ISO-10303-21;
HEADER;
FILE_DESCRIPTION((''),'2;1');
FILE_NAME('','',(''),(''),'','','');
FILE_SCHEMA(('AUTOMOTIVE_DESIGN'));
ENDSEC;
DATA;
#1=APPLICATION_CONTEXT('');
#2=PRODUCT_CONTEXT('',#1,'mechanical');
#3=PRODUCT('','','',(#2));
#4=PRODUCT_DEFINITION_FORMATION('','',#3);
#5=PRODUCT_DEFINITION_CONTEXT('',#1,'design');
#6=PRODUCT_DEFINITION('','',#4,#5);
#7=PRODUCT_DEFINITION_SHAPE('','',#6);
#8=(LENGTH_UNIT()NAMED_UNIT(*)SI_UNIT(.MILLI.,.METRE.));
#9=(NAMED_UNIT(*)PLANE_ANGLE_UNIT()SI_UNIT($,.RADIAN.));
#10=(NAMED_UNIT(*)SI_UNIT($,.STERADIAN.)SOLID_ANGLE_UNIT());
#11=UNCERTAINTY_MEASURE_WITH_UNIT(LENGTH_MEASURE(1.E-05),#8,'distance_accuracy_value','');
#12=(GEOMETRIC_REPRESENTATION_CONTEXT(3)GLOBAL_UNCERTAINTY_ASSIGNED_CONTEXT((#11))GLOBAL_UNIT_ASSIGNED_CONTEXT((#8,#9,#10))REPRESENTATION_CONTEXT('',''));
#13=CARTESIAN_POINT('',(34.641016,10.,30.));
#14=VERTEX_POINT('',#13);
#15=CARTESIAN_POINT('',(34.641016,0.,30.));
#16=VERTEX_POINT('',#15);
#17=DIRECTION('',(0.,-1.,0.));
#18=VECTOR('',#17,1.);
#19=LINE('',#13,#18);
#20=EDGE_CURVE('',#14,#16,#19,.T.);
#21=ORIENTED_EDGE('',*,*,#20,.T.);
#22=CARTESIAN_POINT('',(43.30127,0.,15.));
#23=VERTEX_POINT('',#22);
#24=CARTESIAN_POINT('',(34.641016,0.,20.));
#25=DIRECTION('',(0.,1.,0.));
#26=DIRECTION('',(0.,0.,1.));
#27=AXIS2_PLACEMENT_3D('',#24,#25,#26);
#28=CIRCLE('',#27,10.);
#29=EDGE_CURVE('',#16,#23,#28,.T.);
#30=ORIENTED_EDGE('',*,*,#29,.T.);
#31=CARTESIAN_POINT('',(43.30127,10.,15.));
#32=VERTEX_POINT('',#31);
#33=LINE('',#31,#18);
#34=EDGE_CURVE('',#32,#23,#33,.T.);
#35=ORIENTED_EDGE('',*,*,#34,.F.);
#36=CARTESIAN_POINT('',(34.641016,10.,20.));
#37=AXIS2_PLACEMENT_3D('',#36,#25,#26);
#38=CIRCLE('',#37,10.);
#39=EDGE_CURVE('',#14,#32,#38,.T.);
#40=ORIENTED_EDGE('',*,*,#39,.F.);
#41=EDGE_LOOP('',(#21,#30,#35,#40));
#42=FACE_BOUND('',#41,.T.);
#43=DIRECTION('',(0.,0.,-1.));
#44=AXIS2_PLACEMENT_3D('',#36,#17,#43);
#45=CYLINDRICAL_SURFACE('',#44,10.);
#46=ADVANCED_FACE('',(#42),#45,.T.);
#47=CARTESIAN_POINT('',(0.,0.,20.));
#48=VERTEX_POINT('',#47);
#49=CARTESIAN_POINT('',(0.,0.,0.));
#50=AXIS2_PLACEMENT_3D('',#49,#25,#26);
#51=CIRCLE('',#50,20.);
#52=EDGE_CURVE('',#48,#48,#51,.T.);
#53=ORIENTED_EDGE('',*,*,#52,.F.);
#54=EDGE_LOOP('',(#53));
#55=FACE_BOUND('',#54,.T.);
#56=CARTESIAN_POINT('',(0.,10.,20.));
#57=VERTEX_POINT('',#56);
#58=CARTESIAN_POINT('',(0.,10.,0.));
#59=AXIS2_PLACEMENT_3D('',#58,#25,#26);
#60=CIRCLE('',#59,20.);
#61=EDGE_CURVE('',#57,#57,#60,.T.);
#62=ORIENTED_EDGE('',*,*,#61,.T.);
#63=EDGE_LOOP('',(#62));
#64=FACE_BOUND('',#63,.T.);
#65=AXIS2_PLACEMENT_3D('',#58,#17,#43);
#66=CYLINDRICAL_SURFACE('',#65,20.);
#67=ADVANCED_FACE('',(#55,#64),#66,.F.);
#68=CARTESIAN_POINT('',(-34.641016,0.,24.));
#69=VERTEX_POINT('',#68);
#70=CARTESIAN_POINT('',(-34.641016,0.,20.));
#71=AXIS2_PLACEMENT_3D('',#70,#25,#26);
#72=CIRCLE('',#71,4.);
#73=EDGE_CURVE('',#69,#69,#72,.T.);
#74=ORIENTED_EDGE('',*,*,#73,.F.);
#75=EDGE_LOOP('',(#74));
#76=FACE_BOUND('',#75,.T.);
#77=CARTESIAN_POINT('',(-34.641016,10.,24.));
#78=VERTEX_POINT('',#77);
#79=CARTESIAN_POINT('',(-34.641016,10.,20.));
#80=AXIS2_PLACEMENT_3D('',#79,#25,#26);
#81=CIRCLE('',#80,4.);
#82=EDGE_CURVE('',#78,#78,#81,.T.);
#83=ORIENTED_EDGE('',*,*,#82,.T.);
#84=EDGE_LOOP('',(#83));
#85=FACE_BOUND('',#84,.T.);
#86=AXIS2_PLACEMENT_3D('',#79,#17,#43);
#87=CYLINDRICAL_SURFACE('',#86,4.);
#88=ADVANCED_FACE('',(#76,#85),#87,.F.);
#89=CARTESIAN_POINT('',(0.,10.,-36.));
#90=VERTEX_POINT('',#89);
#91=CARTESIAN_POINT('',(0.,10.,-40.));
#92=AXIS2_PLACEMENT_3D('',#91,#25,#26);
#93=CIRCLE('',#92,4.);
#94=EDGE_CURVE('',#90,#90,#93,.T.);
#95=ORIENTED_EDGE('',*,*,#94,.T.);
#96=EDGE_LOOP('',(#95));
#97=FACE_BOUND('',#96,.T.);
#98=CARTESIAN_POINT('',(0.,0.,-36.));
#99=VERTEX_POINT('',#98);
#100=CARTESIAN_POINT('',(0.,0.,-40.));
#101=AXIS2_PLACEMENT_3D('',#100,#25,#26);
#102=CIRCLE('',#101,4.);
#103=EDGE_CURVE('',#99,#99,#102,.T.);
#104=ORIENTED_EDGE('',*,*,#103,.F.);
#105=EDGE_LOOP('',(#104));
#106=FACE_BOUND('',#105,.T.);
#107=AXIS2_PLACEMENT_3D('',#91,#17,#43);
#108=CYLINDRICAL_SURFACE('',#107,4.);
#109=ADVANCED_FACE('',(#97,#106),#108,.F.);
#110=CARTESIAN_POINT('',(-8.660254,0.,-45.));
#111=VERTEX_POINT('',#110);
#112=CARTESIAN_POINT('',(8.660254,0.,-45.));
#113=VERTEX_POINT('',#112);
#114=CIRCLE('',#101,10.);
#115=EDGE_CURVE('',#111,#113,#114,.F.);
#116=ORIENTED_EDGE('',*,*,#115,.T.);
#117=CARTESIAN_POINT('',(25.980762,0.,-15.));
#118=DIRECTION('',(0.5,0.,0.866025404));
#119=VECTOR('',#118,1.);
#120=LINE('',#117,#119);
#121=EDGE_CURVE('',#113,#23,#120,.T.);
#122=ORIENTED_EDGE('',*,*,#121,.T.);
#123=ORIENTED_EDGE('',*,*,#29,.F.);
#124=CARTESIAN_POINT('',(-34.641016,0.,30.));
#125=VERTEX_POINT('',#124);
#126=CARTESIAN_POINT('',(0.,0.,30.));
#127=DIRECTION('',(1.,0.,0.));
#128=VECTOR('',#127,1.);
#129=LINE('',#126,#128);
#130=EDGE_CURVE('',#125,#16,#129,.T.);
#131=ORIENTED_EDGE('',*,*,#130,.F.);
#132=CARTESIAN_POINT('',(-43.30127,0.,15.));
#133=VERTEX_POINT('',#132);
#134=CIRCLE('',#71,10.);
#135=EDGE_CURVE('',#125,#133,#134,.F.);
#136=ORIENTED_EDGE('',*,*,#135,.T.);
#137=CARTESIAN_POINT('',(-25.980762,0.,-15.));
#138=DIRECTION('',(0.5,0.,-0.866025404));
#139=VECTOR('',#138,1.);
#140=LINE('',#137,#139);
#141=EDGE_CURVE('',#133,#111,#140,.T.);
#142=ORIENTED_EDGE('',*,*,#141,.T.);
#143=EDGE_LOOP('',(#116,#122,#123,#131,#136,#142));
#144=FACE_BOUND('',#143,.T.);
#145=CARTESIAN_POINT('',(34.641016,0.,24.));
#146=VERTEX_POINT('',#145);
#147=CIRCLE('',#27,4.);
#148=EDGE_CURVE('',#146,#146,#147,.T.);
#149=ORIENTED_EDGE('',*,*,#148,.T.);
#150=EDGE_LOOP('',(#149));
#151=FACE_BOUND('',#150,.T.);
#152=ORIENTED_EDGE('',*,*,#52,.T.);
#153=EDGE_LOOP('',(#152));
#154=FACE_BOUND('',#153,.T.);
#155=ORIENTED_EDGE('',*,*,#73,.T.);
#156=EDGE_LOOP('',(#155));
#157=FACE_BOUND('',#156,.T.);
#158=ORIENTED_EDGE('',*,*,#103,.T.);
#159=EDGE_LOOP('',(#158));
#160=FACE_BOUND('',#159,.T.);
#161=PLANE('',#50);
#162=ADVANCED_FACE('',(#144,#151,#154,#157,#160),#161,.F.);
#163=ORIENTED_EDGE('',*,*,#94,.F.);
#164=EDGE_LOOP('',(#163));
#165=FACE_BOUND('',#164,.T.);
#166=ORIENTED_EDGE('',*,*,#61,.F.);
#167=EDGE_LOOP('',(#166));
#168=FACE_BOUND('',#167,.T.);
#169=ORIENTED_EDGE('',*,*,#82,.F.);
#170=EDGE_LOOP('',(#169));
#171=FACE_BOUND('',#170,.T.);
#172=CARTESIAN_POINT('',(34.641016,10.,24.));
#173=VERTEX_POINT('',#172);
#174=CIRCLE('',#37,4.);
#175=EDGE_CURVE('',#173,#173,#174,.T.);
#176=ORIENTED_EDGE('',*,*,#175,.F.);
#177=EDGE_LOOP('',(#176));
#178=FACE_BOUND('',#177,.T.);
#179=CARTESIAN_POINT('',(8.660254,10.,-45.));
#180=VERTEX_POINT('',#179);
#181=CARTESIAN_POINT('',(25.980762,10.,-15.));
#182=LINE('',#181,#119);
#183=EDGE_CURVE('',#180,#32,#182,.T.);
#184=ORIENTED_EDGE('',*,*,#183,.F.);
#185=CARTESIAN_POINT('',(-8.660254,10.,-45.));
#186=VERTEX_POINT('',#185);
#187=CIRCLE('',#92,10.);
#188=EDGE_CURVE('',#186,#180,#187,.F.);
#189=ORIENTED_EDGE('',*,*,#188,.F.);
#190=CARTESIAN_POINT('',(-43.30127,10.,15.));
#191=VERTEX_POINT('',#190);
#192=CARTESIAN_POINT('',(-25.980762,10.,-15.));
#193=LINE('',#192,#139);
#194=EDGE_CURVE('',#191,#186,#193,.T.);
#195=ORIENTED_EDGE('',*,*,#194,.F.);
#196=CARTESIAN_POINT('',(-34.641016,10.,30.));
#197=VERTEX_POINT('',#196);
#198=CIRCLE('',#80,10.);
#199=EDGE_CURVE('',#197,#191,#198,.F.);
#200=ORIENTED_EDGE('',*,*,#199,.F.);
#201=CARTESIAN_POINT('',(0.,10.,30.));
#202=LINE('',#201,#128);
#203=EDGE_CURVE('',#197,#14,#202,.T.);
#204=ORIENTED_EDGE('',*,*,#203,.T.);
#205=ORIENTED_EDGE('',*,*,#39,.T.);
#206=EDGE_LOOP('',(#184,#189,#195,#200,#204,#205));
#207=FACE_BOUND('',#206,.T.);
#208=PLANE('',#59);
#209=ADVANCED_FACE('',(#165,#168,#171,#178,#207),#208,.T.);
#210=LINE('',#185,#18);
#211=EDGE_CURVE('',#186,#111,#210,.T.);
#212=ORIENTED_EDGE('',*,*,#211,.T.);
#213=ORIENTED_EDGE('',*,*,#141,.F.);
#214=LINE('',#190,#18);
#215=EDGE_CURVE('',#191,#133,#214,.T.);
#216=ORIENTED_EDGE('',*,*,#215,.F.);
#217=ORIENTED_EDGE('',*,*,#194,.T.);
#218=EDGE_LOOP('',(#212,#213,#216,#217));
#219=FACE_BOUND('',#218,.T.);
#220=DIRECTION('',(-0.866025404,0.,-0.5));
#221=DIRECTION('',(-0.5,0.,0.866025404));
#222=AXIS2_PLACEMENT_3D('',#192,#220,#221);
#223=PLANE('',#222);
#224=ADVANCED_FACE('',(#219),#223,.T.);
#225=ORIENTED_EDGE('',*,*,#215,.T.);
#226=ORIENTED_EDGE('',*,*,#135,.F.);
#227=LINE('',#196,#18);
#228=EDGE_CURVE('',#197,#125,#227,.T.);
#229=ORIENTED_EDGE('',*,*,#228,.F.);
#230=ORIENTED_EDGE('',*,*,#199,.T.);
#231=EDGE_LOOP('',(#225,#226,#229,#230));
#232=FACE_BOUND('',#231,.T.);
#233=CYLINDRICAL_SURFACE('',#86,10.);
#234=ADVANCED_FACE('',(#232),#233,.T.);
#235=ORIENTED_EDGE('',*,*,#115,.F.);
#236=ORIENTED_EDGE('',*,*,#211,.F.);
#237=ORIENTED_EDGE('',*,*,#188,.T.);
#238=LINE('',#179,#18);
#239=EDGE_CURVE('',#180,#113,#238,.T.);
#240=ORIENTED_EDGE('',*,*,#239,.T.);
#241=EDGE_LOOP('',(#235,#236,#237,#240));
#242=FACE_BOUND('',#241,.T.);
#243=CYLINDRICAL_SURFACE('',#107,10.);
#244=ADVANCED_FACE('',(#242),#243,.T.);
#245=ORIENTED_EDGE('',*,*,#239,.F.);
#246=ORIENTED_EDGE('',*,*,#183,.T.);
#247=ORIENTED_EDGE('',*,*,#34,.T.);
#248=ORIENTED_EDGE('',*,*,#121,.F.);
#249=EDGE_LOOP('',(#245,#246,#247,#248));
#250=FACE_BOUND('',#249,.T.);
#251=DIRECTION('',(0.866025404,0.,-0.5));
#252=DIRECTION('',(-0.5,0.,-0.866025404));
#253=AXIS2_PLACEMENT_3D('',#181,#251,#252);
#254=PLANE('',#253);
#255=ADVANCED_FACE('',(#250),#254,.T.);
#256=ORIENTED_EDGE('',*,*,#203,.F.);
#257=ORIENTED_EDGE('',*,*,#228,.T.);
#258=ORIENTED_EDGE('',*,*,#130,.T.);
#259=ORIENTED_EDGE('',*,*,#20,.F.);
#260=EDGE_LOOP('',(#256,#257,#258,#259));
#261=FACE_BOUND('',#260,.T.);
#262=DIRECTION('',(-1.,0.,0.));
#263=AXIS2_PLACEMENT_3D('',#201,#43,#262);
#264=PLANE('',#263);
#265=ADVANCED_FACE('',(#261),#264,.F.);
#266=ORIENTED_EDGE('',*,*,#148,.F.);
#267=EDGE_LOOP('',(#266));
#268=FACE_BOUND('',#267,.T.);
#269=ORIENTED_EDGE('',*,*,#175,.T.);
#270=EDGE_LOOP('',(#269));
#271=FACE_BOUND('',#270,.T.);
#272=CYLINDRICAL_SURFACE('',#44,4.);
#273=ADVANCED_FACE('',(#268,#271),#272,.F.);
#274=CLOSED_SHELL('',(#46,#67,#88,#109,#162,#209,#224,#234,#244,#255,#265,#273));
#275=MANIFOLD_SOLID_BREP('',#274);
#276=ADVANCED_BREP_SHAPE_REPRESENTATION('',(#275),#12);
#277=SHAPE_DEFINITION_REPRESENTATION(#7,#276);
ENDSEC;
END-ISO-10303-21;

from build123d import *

# Parameters (mm, degrees)
RESSALTO_EXTRUS_O1_DEPTH = 10


with BuildPart() as part:
    # Esboço1 → Ressalto-extrusão1 (new body)
    with BuildSketch(Plane(origin=(0, 0, 0), x_dir=(1, 0, 0), z_dir=(0, 1, 0))):
        with BuildLine():
            ThreePointArc((-39.209518669, -7.912878475), (-38.076880663, -12.253618198), (-36.465309506, -16.440231222))
            ThreePointArc((-36.465309506, -16.440231222), (-33.509440947, -16.163395048), (-31.176914536, -18))
            Line((-31.176914536, -18), (-17.320508076, -10))
            ThreePointArc((-17.320508076, -10), (-17.320508076, 10), (0, 20))
            Line((0, 20), (0, 36))
            ThreePointArc((0, 36), (-2.75680975, 37.101724651), (-3.994996871, 39.8))
            ThreePointArc((-3.994996871, 39.8), (-8.426495684, 39.102355051), (-12.752005558, 37.912878475))
            Line((-12.752005558, 37.912878475), (-39.209518669, -7.912878475))
        make_face()
        with BuildLine():
            Line((-8.660254038, 45), (-12.752005558, 37.912878475))
            ThreePointArc((-12.752005558, 37.912878475), (-8.426495684, 39.102355051), (-3.994996871, 39.8))
            ThreePointArc((-3.994996871, 39.8), (-2.898275349, 42.75680975), (0, 44))
            Line((0, 44), (0, 50))
            ThreePointArc((0, 50), (-5, 48.660254038), (-8.660254038, 45))
        make_face()
        with BuildLine():
            ThreePointArc((8.660254038, 45), (5, 48.660254038), (0, 50))
            Line((0, 50), (0, 44))
            ThreePointArc((0, 44), (2.828427125, 42.828427125), (4, 40))
            ThreePointArc((4, 40), (3.998749022, 39.899968716), (3.994996871, 39.8))
            ThreePointArc((3.994996871, 39.8), (8.426495684, 39.102355051), (12.752005558, 37.912878475))
            Line((12.752005558, 37.912878475), (8.660254038, 45))
        make_face()
        with BuildLine():
            Line((0, 36), (0, 20))
            ThreePointArc((0, 20), (14.142135624, 14.142135624), (20, 0))
            ThreePointArc((20, 0), (19.318516526, -5.176380902), (17.320508076, -10))
            Line((17.320508076, -10), (31.176914536, -18))
            ThreePointArc((31.176914536, -18), (33.509440947, -16.163395048), (36.465309506, -16.440231222))
            ThreePointArc((36.465309506, -16.440231222), (38.076880663, -12.253618198), (39.209518669, -7.912878475))
            Line((39.209518669, -7.912878475), (12.752005558, 37.912878475))
            ThreePointArc((12.752005558, 37.912878475), (8.426495684, 39.102355051), (3.994996871, 39.8))
            ThreePointArc((3.994996871, 39.8), (2.75680975, 37.101724651), (0, 36))
        make_face()
        with BuildLine():
            ThreePointArc((-30.641016151, -20), (-31.127982273, -21.912744878), (-32.470312635, -23.359768778))
            ThreePointArc((-32.470312635, -23.359768778), (-29.65038498, -26.848736852), (-26.457513111, -30))
            Line((-26.457513111, -30), (26.457513111, -30))
            ThreePointArc((26.457513111, -30), (29.65038498, -26.848736852), (32.470312635, -23.359768778))
            ThreePointArc((32.470312635, -23.359768778), (30.752631197, -20.938329603), (31.176914536, -18))
            Line((31.176914536, -18), (17.320508076, -10))
            ThreePointArc((17.320508076, -10), (0, -20), (-17.320508076, -10))
            Line((-17.320508076, -10), (-31.176914536, -18))
            ThreePointArc((-31.176914536, -18), (-30.777312846, -18.96472382), (-30.641016151, -20))
        make_face()
        with BuildLine():
            ThreePointArc((-43.301270189, -15), (-44.641016151, -20), (-43.301270189, -25))
            Line((-43.301270189, -25), (-38.105117767, -22))
            ThreePointArc((-38.105117767, -22), (-38.477621103, -18.868424796), (-36.465309506, -16.440231222))
            ThreePointArc((-36.465309506, -16.440231222), (-38.076880663, -12.253618198), (-39.209518669, -7.912878475))
            Line((-39.209518669, -7.912878475), (-43.301270189, -15))
        make_face()
        with BuildLine():
            Line((-38.105117767, -22), (-43.301270189, -25))
            ThreePointArc((-43.301270189, -25), (-39.641016151, -28.660254038), (-34.641016151, -30))
            Line((-34.641016151, -30), (-26.457513111, -30))
            ThreePointArc((-26.457513111, -30), (-29.65038498, -26.848736852), (-32.470312635, -23.359768778))
            ThreePointArc((-32.470312635, -23.359768778), (-35.579345754, -23.888384955), (-38.105117767, -22))
        make_face()
        with BuildLine():
            Line((38.105117767, -22), (43.301270189, -25))
            ThreePointArc((43.301270189, -25), (44.641016151, -20), (43.301270189, -15))
            Line((43.301270189, -15), (39.209518669, -7.912878475))
            ThreePointArc((39.209518669, -7.912878475), (38.076880663, -12.253618198), (36.465309506, -16.440231222))
            ThreePointArc((36.465309506, -16.440231222), (38.054018746, -17.913995856), (38.641016151, -20))
            ThreePointArc((38.641016151, -20), (38.504719457, -21.03527618), (38.105117767, -22))
        make_face()
        with BuildLine():
            ThreePointArc((32.470312635, -23.359768778), (29.65038498, -26.848736852), (26.457513111, -30))
            Line((26.457513111, -30), (34.641016151, -30))
            ThreePointArc((34.641016151, -30), (39.641016151, -28.660254038), (43.301270189, -25))
            Line((43.301270189, -25), (38.105117767, -22))
            ThreePointArc((38.105117767, -22), (35.579345754, -23.888384955), (32.470312635, -23.359768778))
        make_face()
    extrude(amount=RESSALTO_EXTRUS_O1_DEPTH)


solid = part.part
